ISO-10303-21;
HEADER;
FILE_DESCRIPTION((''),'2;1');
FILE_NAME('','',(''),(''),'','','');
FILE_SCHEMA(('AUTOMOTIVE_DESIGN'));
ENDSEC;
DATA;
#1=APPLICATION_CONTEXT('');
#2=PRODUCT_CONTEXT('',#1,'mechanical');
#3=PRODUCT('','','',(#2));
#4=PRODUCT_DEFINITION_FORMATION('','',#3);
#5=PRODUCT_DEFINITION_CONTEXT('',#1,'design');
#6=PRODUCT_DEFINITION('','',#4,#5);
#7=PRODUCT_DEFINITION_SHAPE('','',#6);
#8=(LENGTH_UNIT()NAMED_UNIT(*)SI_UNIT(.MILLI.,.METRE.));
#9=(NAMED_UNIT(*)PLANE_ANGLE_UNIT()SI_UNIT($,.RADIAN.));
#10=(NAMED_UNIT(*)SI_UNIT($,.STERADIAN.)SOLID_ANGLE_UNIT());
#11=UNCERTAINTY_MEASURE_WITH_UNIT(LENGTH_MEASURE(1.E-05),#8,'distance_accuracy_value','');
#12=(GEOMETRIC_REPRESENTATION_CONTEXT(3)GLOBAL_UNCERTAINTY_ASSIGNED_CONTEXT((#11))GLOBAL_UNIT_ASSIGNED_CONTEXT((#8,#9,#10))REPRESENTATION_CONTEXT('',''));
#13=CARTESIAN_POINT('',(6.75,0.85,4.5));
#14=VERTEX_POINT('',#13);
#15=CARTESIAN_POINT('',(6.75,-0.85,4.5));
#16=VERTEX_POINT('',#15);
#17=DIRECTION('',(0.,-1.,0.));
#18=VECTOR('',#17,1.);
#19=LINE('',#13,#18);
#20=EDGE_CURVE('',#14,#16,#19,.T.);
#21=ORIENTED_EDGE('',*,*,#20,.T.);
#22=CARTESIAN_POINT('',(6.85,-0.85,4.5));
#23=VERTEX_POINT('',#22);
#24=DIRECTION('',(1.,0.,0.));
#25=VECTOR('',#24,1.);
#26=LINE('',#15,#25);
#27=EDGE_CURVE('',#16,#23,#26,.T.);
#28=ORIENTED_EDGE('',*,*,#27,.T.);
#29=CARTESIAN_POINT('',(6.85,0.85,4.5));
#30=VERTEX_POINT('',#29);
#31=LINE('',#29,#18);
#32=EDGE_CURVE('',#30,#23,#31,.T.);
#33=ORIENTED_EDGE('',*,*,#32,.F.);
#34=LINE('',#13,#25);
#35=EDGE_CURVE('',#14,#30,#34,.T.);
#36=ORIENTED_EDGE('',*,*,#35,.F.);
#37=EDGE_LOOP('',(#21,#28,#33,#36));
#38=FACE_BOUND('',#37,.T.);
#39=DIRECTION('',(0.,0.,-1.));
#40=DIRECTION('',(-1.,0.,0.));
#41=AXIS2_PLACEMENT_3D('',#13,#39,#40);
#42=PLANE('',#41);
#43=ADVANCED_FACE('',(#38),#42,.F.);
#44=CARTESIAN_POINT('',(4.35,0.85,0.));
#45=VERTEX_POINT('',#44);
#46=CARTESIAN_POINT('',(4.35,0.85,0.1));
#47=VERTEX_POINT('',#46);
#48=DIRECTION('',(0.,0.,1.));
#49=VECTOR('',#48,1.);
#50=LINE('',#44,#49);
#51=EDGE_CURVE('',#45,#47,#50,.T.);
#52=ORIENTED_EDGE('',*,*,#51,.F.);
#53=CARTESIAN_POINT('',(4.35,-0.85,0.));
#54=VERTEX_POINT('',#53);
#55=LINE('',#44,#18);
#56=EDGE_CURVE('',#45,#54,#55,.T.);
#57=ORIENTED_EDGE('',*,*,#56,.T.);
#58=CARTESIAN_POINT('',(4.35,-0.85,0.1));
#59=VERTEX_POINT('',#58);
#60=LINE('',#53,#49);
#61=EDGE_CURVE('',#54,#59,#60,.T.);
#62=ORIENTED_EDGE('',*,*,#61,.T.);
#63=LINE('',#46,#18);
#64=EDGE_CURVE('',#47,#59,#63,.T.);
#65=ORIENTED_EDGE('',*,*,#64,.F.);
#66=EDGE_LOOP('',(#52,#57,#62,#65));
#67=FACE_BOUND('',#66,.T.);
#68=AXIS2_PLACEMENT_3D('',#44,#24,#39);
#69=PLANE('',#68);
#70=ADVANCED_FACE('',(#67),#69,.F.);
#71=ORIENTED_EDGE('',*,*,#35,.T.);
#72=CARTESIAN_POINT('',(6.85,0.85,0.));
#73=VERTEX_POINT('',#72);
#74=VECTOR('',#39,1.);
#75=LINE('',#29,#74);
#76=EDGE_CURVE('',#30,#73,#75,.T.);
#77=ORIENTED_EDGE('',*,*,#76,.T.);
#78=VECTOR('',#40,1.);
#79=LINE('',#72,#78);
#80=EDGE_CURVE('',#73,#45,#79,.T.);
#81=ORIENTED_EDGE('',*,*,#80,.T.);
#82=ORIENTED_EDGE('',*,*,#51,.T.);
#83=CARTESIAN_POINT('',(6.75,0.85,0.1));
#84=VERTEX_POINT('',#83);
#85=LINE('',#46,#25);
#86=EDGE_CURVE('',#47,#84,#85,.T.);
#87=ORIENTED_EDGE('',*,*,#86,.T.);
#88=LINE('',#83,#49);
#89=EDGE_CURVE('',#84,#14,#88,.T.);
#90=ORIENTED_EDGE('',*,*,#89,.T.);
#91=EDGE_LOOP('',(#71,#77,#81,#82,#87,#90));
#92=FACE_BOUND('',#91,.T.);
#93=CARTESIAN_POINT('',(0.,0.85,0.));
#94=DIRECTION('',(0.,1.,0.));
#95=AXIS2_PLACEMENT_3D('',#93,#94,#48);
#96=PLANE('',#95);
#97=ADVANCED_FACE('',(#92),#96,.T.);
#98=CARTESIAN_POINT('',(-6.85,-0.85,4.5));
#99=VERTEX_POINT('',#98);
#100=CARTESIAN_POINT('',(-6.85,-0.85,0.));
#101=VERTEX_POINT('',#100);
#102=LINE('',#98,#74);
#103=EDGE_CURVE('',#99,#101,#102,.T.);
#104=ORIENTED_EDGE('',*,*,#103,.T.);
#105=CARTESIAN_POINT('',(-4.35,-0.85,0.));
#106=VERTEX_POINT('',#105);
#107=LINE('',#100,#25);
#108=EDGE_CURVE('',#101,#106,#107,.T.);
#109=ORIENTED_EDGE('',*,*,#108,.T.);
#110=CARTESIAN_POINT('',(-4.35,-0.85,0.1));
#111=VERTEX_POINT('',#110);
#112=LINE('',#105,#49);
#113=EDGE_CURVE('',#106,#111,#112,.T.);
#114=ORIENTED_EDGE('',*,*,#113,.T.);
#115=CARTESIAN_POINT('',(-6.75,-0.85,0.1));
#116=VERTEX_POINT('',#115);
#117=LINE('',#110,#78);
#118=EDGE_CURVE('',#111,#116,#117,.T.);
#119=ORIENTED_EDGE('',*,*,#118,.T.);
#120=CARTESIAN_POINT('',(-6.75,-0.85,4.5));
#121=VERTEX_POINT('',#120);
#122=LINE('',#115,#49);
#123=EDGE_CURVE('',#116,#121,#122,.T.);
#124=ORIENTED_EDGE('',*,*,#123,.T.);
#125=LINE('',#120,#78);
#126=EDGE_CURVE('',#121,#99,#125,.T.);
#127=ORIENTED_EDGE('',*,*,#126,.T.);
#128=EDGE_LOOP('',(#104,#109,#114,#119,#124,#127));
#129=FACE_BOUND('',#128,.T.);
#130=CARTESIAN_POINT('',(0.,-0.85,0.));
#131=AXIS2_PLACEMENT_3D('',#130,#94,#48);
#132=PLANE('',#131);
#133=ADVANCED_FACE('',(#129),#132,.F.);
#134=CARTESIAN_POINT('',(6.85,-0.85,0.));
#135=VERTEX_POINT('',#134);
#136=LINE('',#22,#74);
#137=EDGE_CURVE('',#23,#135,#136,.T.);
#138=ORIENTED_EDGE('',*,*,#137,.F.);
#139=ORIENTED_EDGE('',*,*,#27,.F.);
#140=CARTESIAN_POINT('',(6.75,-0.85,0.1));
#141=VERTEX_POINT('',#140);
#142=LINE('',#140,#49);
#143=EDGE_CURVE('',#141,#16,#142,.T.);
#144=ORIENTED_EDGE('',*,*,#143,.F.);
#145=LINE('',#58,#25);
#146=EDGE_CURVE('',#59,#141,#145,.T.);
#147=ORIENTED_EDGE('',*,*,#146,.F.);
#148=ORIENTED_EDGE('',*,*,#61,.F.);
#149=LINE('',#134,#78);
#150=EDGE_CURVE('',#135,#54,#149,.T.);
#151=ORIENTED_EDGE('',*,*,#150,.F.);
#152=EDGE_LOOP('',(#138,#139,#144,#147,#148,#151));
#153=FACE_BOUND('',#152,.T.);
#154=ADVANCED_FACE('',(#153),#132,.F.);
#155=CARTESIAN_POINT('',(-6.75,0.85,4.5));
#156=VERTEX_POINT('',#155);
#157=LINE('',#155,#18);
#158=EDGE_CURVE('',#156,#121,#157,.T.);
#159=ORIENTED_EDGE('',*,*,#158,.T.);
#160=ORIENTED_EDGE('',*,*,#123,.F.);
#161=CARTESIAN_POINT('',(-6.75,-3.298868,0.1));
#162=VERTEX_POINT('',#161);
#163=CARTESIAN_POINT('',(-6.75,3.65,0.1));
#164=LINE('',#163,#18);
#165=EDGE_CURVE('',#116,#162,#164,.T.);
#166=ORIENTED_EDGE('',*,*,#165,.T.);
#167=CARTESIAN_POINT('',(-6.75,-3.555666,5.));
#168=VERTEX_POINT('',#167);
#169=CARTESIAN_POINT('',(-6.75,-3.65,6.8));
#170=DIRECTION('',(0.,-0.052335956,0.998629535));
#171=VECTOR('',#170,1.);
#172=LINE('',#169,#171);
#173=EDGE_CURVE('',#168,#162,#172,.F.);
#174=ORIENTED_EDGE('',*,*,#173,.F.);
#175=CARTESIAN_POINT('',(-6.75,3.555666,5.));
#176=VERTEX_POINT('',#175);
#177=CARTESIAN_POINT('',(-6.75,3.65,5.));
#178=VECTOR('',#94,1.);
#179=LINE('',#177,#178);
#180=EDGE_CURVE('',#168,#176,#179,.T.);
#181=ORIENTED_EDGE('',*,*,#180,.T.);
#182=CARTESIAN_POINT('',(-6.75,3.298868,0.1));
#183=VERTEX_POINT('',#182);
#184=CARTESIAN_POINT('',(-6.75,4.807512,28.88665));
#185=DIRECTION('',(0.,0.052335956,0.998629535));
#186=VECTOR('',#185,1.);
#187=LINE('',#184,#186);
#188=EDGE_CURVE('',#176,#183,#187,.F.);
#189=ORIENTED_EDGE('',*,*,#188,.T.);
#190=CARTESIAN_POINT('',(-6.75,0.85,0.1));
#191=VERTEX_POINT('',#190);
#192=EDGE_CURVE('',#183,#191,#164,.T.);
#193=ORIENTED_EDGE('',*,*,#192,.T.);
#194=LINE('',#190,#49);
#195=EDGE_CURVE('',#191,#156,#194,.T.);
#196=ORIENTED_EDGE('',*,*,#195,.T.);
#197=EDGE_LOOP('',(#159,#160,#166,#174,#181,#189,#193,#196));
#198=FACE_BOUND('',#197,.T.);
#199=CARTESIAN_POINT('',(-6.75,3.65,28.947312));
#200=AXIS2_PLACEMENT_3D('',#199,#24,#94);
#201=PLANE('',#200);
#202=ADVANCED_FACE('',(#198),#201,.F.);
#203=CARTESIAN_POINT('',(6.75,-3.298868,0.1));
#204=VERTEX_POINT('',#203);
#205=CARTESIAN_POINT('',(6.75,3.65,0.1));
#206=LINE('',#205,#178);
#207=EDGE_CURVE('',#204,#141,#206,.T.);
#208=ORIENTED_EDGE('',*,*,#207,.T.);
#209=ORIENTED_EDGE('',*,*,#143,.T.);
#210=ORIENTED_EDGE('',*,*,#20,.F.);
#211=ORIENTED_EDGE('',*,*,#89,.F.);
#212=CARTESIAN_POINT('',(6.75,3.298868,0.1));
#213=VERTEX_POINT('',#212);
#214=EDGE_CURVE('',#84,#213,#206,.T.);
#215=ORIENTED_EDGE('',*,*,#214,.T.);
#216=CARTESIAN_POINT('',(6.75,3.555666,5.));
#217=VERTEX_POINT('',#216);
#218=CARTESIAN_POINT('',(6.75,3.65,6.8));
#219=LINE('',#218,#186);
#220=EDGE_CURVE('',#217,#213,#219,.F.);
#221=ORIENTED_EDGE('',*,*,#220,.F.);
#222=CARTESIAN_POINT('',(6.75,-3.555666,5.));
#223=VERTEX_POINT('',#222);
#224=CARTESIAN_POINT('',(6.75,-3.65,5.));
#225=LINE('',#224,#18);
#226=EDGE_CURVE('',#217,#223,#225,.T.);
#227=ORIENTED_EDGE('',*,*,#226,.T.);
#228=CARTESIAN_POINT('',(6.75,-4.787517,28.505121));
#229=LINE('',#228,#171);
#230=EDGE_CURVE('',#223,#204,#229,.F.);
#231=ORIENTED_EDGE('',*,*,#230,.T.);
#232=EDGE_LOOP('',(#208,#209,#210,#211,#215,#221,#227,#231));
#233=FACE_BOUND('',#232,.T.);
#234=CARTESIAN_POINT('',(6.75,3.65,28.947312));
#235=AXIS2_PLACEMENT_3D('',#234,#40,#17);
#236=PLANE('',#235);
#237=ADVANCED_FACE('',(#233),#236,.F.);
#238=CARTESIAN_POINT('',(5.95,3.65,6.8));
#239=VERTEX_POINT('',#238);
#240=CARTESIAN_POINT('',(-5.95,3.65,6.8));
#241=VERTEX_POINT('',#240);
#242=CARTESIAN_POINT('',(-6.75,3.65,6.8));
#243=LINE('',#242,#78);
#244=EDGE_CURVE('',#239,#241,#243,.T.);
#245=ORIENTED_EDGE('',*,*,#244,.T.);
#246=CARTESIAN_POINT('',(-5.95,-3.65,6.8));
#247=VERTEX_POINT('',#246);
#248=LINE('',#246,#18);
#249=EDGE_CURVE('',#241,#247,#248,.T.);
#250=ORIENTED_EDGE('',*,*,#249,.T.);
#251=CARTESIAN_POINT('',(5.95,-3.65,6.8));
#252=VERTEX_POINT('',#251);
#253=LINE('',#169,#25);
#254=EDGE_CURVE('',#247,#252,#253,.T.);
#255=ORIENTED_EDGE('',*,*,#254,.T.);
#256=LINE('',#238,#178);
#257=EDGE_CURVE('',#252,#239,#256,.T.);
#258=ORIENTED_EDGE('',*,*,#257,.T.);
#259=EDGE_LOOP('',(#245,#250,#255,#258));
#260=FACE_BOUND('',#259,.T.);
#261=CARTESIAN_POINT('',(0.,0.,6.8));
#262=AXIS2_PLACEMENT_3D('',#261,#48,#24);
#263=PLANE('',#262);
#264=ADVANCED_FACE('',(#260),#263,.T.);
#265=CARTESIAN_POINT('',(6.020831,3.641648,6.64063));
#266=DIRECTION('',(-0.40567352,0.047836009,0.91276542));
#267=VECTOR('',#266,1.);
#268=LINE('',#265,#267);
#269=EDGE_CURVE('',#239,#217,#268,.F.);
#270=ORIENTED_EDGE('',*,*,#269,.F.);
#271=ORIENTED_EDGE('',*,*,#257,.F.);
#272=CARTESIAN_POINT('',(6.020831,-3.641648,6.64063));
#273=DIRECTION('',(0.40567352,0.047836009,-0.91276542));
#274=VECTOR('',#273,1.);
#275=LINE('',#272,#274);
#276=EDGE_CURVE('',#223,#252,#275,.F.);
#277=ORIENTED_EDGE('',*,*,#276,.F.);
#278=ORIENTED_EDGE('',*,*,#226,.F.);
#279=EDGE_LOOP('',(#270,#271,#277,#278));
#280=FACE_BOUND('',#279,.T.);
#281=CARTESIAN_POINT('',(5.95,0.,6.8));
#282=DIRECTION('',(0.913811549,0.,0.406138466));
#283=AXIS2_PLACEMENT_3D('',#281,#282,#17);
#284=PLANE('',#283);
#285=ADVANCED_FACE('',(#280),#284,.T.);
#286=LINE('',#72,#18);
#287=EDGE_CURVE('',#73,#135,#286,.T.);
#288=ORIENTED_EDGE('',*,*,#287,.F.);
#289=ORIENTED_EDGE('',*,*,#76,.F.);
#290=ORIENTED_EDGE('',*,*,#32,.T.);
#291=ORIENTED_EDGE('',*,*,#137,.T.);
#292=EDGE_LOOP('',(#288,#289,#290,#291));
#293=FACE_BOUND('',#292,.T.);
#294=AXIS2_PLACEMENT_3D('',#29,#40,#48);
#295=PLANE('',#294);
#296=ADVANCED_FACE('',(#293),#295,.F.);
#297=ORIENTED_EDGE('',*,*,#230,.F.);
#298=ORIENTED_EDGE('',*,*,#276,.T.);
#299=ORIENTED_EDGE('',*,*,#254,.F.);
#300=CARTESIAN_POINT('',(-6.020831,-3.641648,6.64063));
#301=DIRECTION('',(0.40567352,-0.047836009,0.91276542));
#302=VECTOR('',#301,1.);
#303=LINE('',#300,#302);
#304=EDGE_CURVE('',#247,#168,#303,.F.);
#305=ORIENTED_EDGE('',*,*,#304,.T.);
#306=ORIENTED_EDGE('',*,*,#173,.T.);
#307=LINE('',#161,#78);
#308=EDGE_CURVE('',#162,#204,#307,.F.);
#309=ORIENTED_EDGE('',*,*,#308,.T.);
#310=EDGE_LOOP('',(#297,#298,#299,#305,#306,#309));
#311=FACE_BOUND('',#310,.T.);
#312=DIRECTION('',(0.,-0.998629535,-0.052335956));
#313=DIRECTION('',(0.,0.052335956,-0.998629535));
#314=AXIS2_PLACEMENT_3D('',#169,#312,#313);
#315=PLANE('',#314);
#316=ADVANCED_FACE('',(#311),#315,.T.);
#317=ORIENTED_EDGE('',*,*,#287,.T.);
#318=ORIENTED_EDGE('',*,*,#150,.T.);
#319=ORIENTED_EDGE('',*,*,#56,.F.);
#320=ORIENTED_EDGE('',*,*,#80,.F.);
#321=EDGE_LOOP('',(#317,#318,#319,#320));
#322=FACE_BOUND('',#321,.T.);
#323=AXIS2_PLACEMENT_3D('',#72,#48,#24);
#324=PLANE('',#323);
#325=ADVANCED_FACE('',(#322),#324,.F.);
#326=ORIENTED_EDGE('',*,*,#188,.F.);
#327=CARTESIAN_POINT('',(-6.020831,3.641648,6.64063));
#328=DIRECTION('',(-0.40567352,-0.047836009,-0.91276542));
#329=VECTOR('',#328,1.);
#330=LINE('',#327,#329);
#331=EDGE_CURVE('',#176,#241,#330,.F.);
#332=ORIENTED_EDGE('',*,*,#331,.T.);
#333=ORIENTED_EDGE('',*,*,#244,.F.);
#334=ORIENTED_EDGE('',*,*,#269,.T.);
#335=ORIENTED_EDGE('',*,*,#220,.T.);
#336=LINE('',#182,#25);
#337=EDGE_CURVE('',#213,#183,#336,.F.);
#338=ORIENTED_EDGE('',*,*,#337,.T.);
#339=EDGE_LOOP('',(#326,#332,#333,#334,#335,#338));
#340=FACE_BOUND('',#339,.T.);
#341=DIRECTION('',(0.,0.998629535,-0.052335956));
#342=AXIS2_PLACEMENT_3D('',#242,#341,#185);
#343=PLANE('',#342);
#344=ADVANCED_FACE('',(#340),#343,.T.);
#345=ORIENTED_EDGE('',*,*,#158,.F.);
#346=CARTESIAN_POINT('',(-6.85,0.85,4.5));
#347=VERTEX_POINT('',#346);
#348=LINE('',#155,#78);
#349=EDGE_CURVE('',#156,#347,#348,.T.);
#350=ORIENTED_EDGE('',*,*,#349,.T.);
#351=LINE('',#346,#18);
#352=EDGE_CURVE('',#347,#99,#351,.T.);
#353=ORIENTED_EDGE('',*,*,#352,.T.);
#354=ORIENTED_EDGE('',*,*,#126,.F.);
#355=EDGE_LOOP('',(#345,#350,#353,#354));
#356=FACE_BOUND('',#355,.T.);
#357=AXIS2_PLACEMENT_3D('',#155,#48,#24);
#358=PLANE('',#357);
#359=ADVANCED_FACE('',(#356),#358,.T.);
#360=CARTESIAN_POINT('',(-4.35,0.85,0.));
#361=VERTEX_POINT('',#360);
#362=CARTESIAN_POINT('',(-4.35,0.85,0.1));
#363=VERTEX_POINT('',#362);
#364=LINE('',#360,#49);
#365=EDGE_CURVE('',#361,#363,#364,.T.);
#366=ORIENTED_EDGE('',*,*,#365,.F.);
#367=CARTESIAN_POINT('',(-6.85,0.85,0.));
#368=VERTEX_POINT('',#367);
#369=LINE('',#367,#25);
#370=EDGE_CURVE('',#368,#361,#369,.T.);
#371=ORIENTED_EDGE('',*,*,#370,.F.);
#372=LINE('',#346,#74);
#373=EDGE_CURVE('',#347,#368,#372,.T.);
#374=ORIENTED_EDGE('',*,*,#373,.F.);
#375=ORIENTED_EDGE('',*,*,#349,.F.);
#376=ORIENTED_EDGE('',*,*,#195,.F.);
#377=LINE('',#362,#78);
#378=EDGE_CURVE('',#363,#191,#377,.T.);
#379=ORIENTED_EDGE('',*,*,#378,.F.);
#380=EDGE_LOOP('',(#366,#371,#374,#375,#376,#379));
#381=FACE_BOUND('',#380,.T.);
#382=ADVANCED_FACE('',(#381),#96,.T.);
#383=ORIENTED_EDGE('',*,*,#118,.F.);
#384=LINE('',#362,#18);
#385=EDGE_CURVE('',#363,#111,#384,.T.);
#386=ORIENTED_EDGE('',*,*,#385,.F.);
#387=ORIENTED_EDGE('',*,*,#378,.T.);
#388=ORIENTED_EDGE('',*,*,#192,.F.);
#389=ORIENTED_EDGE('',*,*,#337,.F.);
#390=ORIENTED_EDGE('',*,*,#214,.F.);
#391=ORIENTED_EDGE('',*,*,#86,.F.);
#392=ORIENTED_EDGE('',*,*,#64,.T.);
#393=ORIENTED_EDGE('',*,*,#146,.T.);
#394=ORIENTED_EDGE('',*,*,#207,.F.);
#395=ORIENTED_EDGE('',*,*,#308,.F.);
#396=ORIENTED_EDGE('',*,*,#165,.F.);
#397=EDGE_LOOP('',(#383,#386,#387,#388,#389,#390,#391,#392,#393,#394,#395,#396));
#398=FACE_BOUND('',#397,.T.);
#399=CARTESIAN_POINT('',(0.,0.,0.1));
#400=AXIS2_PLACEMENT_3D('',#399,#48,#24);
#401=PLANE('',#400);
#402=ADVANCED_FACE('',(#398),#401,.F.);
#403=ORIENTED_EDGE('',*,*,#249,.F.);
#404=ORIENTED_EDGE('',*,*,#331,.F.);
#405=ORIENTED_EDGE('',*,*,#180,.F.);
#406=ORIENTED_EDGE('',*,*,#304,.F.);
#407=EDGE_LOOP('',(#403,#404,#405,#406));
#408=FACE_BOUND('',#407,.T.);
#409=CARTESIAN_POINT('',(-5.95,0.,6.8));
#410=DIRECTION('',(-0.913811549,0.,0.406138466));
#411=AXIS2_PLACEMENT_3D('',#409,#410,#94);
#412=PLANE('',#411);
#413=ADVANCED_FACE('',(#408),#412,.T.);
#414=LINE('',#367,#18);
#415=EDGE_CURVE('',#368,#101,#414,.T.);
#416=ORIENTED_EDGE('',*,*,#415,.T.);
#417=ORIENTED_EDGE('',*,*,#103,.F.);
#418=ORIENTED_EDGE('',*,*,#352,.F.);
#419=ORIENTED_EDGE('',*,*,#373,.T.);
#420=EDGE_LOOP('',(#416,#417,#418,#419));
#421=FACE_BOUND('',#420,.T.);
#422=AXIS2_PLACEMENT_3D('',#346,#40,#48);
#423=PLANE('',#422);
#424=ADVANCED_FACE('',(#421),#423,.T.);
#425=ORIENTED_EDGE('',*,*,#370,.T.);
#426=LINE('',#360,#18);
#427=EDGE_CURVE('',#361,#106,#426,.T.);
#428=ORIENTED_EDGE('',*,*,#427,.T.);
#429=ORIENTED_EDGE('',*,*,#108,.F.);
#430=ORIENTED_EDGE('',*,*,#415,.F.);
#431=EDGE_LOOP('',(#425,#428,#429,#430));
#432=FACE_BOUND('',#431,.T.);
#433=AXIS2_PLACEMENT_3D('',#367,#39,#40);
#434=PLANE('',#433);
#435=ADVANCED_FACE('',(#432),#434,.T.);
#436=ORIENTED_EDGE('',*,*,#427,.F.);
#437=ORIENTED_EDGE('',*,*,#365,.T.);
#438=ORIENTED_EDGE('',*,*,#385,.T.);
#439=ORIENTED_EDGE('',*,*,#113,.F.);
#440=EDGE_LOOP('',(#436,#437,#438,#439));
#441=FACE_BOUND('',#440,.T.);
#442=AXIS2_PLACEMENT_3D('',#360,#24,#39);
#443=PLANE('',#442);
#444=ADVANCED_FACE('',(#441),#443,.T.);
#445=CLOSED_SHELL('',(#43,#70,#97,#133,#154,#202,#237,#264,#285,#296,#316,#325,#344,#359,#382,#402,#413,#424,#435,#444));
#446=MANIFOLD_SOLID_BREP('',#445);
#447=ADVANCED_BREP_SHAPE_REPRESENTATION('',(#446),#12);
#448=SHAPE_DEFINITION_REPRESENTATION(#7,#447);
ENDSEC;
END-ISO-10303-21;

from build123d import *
from OCP.BRepFilletAPI import BRepFilletAPI_MakeChamfer

# Parameters (mm, degrees)
BOSS_EXTRUDE1_START = 0.1
SKETCH1_W           = 13.5
SKETCH1_H           = 7.3
BOSS_EXTRUDE1_DEPTH = 6.7
CHAMFER1_SIZE       = 1.8
CHAMFER1_SIZE2      = 0.8
BOSS_EXTRUDE2_DEPTH = 0.85
DRAFT1_ANGLE        = -3


with BuildPart() as part:
    # Sketch1 → Boss-Extrude1 (new body)
    with BuildSketch(Plane.XY.offset(BOSS_EXTRUDE1_START)):
        Rectangle(SKETCH1_W, SKETCH1_H)
    extrude(amount=BOSS_EXTRUDE1_DEPTH)

    # Chamfer1: one chamfer whose edges measure the first distance from different faces: ONE call of the kernel's chamfer builder (chamfer() names one face for all edges)
    chamfer1_edges_1 = [part.edges().sort_by_distance(p)[0] for p in [
        (6.75, 0, 6.8),
    ]]
    chamfer1_side_1 = [part.faces().sort_by_distance(p)[0] for p in [
        (6.75, 0, 3.45),
    ]]
    chamfer1_edges_2 = [part.edges().sort_by_distance(p)[0] for p in [
        (-6.75, 0, 6.8),
    ]]
    chamfer1_side_2 = [part.faces().sort_by_distance(p)[0] for p in [
        (-6.75, 0, 3.45),
    ]]
    chamfer1 = BRepFilletAPI_MakeChamfer(part.part.solid().wrapped)
    for e in chamfer1_edges_1:
        chamfer1.Add(CHAMFER1_SIZE, CHAMFER1_SIZE2, e.wrapped, chamfer1_side_1[0].wrapped)  # the first distance lies on this face
    for e in chamfer1_edges_2:
        chamfer1.Add(CHAMFER1_SIZE, CHAMFER1_SIZE2, e.wrapped, chamfer1_side_2[0].wrapped)  # the first distance lies on this face
    add(Compound.cast(chamfer1.Shape()), mode=Mode.REPLACE)

    # Sketch2 → Boss-Extrude2 (add, symmetric)
    with BuildSketch(Plane(origin=(0, 0, 0), x_dir=(1, 0, 0), z_dir=(0, 1, 0))):
        Polygon((4.35, -0.1), (6.75, -0.1), (6.75, -4.5), (6.85, -4.5), (6.85, 0), (4.35, 0), align=None)
    boss_extrude2 = extrude(amount=BOSS_EXTRUDE2_DEPTH, both=True)

    # Mirror1: Boss-Extrude2 across plane
    add(boss_extrude2.mirror(Plane(origin=(0, 0, 0), x_dir=(0, 0, 1), z_dir=(1, 0, 0))))

    # Draft1
    draft1_faces = [part.faces().sort_by_distance(p)[0] for p in [
        (0, 3.65, 3.405510617),
        (0, -3.65, 3.405510617),
    ]]
    draft(draft1_faces, Plane.XY.offset(6.8), DRAFT1_ANGLE)


solid = part.part
